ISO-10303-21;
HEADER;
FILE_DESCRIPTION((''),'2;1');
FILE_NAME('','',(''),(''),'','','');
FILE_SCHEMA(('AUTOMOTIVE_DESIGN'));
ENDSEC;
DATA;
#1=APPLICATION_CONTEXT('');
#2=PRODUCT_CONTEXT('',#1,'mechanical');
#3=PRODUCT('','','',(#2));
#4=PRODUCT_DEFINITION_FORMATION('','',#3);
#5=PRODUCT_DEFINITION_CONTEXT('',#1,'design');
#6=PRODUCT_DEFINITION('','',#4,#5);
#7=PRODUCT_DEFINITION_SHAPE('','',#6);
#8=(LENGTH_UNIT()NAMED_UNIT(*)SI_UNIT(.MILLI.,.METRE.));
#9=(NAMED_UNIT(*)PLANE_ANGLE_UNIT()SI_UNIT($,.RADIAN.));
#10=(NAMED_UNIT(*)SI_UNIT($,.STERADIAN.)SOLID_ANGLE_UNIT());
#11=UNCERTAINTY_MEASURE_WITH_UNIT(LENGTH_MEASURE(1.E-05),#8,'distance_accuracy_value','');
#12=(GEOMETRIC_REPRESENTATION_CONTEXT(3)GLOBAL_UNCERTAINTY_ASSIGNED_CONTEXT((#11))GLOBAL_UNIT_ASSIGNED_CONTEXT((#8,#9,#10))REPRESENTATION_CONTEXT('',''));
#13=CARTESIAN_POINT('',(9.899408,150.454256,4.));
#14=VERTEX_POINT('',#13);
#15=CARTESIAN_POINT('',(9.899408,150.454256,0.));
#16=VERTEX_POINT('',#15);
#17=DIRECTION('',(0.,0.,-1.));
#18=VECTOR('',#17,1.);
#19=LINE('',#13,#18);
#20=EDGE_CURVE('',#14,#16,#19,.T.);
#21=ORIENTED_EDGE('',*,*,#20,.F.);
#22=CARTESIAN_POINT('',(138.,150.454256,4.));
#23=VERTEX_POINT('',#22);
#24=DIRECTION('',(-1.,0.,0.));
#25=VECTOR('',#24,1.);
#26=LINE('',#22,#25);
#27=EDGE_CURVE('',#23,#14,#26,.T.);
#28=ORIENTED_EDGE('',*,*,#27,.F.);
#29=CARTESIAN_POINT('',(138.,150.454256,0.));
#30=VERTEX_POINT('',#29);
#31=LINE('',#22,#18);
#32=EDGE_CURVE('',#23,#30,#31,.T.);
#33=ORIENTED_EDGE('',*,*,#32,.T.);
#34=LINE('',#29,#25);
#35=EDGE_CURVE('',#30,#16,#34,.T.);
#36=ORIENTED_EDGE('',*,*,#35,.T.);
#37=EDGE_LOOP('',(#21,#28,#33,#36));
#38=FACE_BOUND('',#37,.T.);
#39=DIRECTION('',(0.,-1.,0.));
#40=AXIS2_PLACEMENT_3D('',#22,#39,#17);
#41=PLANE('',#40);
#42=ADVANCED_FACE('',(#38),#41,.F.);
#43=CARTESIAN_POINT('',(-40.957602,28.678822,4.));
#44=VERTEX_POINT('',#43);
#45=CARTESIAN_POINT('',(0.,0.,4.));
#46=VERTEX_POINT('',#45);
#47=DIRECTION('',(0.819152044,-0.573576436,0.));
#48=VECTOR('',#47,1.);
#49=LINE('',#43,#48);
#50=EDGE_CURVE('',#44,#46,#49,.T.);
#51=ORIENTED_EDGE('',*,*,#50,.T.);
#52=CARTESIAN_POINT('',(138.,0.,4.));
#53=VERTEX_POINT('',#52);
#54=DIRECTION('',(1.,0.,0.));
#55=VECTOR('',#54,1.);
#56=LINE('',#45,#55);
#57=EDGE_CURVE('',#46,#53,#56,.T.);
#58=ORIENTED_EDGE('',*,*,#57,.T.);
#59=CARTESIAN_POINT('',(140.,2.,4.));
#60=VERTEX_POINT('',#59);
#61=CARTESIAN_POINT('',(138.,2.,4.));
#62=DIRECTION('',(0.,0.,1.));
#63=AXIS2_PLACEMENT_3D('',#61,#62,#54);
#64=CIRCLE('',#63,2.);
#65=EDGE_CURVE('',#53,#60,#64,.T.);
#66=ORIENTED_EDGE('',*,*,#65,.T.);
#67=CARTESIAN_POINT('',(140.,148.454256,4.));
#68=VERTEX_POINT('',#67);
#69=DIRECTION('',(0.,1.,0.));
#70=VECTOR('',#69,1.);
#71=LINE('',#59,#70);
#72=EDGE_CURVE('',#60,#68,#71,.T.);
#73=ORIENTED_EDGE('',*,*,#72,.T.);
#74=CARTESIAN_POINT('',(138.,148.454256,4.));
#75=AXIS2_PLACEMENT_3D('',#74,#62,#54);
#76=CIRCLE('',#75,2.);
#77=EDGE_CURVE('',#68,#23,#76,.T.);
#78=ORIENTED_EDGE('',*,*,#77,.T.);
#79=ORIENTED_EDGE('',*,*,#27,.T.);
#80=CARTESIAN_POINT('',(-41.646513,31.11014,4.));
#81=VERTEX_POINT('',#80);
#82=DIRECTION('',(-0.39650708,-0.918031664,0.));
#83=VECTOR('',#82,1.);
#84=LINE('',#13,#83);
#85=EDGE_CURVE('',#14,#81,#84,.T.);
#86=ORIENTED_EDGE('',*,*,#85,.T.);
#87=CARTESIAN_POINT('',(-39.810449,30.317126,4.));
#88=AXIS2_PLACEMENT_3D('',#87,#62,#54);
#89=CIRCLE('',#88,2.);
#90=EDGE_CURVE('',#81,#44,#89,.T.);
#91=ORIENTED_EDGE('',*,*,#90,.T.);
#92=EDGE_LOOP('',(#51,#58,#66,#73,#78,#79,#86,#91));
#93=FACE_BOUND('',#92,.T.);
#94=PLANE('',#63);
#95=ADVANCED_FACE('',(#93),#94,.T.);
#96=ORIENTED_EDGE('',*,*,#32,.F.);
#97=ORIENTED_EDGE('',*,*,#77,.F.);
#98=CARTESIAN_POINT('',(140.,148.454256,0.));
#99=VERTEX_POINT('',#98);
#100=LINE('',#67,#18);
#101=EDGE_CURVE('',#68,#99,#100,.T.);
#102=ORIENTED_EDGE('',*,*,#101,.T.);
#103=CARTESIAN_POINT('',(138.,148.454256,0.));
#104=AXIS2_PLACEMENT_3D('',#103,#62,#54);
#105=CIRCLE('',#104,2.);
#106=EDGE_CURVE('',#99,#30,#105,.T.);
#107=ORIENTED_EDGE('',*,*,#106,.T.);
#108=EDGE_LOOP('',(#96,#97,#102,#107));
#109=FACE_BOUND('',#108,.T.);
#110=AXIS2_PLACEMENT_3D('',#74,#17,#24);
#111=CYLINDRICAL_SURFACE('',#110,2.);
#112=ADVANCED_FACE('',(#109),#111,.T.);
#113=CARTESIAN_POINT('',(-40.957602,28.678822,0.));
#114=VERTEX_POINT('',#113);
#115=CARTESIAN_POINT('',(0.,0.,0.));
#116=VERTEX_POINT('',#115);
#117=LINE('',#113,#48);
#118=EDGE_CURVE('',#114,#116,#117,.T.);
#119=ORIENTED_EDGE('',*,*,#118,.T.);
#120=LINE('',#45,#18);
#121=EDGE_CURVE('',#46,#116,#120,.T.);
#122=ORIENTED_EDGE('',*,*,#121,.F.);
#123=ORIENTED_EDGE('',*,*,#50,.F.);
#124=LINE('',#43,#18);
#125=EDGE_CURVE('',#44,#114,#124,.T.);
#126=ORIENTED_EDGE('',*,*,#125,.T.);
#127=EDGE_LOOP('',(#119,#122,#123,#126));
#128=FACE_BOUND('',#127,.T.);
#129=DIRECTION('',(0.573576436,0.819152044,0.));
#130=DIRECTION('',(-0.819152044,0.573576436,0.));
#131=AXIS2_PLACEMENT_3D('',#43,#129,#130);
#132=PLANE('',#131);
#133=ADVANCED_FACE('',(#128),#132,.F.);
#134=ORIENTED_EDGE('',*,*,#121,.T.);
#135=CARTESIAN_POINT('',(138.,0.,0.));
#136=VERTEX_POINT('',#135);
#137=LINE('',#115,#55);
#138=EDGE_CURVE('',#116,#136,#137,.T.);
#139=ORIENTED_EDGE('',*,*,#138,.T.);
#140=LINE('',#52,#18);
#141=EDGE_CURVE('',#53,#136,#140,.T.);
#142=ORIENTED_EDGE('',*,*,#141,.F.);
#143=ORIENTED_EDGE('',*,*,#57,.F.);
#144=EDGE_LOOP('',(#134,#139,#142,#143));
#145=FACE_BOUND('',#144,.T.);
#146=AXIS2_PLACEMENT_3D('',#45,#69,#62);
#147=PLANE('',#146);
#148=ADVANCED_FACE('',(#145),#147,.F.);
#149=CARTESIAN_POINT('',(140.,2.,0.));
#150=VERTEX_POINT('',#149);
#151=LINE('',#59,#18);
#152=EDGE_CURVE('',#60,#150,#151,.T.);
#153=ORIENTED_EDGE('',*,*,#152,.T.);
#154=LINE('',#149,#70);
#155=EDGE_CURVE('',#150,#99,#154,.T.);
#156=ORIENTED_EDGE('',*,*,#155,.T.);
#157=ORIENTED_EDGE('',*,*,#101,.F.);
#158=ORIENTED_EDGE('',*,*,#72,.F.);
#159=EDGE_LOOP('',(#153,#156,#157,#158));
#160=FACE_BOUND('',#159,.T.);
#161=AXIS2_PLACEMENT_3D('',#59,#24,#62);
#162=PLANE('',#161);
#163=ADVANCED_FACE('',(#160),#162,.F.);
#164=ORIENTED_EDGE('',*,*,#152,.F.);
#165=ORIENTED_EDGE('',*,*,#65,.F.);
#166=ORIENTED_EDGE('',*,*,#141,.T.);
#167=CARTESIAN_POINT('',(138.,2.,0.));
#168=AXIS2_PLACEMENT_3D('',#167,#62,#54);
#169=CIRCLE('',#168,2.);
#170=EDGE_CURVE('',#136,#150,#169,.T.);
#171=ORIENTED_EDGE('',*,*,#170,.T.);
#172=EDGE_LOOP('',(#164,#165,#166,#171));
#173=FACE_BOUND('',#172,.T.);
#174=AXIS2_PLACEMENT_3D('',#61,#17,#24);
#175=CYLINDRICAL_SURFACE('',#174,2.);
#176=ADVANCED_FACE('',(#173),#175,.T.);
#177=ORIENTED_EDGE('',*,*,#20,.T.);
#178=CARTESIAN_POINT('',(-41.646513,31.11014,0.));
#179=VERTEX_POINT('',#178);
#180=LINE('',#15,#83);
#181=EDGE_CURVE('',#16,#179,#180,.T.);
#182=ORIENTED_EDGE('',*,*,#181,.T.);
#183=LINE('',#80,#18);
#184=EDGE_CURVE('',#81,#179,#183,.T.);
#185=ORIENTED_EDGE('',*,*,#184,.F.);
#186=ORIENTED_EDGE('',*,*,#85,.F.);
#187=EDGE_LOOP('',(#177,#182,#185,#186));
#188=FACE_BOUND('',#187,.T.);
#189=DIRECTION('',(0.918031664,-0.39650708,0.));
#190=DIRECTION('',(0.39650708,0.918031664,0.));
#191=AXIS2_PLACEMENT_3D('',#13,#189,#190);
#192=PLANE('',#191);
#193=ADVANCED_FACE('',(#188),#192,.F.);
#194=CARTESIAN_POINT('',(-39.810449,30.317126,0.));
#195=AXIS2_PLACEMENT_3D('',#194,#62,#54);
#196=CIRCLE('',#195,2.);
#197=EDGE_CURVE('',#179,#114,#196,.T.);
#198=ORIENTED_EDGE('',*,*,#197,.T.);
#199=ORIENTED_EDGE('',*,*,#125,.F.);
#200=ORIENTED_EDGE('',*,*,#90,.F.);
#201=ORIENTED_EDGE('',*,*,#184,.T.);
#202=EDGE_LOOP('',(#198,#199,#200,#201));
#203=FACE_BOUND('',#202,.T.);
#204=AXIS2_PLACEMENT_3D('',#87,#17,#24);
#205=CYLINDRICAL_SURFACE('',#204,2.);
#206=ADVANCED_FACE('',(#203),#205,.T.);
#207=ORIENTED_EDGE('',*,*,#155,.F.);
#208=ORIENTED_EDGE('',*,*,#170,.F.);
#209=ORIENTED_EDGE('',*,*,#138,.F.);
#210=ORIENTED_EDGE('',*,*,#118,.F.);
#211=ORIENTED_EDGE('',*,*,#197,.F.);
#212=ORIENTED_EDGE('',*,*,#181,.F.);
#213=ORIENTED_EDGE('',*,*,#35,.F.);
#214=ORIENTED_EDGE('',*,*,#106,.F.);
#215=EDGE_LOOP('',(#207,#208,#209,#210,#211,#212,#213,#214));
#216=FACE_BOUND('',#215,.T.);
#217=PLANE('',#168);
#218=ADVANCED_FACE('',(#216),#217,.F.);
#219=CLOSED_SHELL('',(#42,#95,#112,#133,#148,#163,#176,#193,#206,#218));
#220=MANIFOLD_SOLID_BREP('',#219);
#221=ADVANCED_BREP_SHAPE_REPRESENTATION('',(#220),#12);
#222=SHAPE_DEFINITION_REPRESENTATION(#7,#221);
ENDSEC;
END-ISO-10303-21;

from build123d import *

# Parameters (mm, degrees)
RESSALTO_EXTRUS_O1_DEPTH = 4


with BuildPart() as part:
    # Esboço1 → Ressalto-extrusão1 (new body)
    with BuildSketch(Plane.XY):
        with BuildLine():
            Line((0, 0), (138, 0))
            ThreePointArc((138, 0), (139.414213562, 0.585786438), (140, 2))
            Line((140, 2), (140, 148.454256327))
            ThreePointArc((140, 148.454256327), (139.414213562, 149.86846989), (138, 150.454256327))
            Line((138, 150.454256327), (9.899407771, 150.454256327))
            Line((9.899407771, 150.454256327), (-41.646512669, 31.110140067))
            ThreePointArc((-41.646512669, 31.110140067), (-41.734695124, 29.77189369), (-40.957602214, 28.678821818))
            Line((-40.957602214, 28.678821818), (0, 0))
        make_face()
    extrude(amount=RESSALTO_EXTRUS_O1_DEPTH)


solid = part.part
